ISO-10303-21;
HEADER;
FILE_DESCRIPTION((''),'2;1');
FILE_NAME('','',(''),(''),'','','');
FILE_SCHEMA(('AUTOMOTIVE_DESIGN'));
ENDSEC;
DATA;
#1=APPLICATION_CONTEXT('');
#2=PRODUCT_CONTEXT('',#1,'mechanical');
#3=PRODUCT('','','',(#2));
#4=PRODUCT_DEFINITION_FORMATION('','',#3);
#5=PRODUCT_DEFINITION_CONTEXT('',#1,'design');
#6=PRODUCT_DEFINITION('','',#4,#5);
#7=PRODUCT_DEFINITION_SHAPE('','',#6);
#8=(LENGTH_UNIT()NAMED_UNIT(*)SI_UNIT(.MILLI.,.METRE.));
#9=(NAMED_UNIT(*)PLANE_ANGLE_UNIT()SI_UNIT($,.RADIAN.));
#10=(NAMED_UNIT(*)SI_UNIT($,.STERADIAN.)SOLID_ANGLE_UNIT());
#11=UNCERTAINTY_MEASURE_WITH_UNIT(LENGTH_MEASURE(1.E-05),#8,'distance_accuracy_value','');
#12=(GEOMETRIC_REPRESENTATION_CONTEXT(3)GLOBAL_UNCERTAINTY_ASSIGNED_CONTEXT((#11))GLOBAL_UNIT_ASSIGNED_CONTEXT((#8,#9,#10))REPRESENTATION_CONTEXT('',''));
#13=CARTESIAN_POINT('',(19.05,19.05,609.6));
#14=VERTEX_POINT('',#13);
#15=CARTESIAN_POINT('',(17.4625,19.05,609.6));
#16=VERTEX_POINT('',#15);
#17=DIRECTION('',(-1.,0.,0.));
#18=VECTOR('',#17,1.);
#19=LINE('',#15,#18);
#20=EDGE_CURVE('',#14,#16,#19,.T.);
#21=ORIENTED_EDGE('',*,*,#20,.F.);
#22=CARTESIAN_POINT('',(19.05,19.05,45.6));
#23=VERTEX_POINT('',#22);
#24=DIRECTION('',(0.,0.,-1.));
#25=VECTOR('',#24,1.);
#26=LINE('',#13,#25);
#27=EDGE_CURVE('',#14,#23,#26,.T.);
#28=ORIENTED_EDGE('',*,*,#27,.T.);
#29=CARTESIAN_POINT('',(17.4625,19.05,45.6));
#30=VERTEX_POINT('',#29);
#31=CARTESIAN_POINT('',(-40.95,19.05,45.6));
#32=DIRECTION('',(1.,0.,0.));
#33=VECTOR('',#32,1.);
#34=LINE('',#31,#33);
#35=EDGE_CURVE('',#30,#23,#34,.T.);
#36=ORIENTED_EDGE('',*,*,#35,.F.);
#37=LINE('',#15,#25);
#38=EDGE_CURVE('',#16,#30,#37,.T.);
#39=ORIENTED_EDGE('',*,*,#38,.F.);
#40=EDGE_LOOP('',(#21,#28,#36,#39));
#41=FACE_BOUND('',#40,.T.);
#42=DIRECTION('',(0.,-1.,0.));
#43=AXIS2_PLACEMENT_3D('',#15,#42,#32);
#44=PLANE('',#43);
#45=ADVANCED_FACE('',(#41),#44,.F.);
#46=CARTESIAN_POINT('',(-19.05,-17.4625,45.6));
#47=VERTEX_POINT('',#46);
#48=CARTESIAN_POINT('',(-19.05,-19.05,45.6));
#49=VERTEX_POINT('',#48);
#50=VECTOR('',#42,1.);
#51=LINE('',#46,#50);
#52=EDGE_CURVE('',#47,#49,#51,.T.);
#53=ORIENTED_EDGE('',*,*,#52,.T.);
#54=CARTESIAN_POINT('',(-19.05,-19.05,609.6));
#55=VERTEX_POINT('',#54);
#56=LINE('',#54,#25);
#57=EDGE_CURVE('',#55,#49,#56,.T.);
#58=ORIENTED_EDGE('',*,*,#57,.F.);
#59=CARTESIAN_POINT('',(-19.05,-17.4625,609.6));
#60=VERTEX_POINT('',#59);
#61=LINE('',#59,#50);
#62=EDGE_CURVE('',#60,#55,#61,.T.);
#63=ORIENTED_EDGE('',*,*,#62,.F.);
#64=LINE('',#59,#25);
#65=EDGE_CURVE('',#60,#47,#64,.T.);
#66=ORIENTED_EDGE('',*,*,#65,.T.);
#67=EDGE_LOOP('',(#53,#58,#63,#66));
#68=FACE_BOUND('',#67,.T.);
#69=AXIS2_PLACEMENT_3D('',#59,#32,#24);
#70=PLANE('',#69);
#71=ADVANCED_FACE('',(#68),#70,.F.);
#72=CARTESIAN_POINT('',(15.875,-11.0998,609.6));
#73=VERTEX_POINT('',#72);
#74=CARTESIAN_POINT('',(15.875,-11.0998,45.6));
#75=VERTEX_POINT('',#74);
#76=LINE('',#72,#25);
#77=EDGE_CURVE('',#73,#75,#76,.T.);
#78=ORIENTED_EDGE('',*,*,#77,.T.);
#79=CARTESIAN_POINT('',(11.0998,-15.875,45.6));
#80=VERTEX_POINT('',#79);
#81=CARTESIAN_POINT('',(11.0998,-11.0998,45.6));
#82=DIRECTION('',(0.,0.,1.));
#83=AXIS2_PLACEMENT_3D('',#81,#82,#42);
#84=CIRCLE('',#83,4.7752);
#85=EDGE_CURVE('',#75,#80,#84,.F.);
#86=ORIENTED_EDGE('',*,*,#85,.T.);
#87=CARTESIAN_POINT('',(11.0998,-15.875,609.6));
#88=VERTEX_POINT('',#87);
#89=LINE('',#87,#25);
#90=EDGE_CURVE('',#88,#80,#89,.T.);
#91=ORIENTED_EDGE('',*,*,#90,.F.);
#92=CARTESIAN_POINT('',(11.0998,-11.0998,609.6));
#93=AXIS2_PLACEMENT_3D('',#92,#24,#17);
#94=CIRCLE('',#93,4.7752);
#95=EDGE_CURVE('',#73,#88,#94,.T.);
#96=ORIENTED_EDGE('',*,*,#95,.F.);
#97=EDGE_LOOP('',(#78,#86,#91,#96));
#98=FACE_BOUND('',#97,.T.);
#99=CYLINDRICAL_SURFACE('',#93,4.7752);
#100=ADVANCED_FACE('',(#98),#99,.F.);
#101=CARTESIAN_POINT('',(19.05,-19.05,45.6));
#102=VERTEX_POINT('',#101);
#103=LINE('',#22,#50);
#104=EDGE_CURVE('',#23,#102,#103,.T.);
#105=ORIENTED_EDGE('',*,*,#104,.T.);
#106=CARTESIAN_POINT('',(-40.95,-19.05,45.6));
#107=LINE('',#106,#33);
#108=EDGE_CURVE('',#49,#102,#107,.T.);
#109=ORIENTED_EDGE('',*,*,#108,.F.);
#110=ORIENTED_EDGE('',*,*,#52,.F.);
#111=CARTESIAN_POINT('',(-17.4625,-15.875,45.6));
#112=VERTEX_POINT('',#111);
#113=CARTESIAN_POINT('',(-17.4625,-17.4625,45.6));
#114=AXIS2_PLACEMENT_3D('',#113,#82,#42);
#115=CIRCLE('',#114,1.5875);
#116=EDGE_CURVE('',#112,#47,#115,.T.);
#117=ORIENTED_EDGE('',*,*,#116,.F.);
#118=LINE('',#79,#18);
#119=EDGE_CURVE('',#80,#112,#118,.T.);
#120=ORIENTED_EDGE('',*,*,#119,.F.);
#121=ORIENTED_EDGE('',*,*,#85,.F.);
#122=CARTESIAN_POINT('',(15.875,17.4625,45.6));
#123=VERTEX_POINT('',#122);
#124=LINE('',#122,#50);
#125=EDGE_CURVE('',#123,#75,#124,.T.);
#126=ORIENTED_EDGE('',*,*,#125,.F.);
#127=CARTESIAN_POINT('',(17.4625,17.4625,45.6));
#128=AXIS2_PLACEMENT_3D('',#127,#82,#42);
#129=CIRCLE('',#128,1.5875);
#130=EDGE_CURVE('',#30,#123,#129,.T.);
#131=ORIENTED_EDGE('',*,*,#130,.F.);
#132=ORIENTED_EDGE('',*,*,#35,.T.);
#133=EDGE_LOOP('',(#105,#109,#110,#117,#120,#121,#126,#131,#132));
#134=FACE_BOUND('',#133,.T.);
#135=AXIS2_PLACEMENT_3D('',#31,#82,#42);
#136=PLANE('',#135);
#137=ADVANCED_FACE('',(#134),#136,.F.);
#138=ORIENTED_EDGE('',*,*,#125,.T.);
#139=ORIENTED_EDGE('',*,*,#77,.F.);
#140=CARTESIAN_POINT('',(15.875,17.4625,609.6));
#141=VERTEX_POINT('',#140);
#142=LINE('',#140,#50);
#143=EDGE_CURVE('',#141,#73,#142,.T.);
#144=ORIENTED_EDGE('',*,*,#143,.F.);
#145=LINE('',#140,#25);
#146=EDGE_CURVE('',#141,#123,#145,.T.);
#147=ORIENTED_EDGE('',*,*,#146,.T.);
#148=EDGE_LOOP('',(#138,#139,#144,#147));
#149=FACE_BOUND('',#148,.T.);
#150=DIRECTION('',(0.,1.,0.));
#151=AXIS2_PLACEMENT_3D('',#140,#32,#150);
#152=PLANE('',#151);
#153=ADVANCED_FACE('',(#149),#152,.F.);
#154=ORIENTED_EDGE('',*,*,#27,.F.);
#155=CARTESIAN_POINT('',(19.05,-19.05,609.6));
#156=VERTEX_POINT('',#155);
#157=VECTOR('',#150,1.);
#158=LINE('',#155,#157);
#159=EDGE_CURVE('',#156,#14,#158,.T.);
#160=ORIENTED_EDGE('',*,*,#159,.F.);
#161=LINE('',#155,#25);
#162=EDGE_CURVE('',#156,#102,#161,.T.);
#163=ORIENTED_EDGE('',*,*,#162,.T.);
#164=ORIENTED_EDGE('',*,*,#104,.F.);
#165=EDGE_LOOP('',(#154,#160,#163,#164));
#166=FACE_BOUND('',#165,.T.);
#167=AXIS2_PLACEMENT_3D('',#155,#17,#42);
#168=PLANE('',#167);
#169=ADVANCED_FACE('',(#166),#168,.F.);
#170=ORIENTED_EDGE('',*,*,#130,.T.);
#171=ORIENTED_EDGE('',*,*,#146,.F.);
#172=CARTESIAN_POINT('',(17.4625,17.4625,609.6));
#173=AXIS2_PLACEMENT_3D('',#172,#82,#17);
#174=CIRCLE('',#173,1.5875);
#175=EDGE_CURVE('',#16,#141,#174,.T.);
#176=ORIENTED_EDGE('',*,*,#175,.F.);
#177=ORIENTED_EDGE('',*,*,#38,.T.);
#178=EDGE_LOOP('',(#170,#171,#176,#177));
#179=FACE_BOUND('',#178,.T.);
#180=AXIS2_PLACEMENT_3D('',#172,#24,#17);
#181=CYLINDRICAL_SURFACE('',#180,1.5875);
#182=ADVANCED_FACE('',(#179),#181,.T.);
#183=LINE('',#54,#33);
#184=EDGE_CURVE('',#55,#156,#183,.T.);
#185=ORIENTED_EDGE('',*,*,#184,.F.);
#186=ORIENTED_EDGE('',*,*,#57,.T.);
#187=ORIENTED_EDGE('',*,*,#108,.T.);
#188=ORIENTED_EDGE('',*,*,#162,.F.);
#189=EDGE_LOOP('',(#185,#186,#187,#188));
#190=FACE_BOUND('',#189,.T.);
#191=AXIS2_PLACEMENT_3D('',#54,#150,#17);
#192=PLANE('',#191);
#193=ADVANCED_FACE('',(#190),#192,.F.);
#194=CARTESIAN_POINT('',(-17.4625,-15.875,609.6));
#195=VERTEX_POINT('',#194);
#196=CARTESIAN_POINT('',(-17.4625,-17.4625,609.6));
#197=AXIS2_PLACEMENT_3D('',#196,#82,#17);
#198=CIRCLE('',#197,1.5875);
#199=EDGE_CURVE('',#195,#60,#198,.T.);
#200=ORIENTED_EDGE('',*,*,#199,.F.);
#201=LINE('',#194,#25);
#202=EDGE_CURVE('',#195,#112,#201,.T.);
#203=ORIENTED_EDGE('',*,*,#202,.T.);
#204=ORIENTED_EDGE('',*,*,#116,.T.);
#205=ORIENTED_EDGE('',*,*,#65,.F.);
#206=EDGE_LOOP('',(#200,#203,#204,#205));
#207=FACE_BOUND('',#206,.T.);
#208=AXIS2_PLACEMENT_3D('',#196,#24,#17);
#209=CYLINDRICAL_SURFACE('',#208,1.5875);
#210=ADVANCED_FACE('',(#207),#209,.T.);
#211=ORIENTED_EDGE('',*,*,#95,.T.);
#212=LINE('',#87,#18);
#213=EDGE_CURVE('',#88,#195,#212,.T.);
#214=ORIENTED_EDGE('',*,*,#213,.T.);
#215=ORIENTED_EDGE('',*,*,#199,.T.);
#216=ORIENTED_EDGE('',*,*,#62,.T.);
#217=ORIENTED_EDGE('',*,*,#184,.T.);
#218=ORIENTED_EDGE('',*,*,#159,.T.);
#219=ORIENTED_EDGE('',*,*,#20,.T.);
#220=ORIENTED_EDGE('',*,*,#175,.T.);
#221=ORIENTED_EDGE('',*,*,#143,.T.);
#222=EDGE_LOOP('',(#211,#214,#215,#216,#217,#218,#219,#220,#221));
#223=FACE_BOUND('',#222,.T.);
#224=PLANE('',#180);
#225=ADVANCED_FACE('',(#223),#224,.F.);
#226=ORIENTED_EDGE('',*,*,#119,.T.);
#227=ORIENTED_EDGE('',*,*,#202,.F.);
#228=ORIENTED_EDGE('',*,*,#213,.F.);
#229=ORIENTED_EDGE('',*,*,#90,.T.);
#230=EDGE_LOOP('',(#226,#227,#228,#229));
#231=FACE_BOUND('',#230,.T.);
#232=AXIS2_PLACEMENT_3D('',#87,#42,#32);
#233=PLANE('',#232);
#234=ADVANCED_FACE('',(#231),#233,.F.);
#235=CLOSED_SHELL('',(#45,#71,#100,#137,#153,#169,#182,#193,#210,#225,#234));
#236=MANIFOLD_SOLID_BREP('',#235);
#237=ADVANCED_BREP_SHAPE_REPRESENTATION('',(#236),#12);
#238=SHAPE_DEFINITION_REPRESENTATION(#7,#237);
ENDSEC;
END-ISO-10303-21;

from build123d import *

# Parameters (mm, degrees)
BOSS_EXTRUDE1_DEPTH = 609.6
SKETCH3_W           = 635.2
SKETCH3_H           = 38.1
CUT_EXTRUDE1_DEPTH  = 60
SKETCH4_W           = 20
SKETCH4_H           = 38.1
CUT_EXTRUDE2_DEPTH  = 60


with BuildPart() as part:
    # Sketch2 → Boss-Extrude1 (new, symmetric)
    with BuildSketch(Plane.XY):
        with BuildLine():
            Line((-19.05, -19.05), (19.05, -19.05))
            Line((19.05, -19.05), (19.05, 19.05))
            Line((19.05, 19.05), (17.4625, 19.05))
            ThreePointArc((17.4625, 19.05), (16.339967985, 18.585032015), (15.875, 17.4625))
            Line((15.875, 17.4625), (15.875, -11.0998))
            ThreePointArc((15.875, -11.0998), (14.476376302, -14.476376302), (11.0998, -15.875))
            Line((11.0998, -15.875), (-17.4625, -15.875))
            ThreePointArc((-17.4625, -15.875), (-18.585032015, -16.339967985), (-19.05, -17.4625))
            Line((-19.05, -17.4625), (-19.05, -19.05))
        make_face()
    extrude(amount=BOSS_EXTRUDE1_DEPTH, both=True)

    # Sketch3 → Cut-Extrude1 (cut)
    with BuildSketch(Plane(origin=(19.05, 0, 0), x_dir=(0, 0, -1), z_dir=(1, 0, 0))):
        with Locations((292, 0)):
            Rectangle(SKETCH3_W, SKETCH3_H)
    extrude(amount=-CUT_EXTRUDE1_DEPTH, mode=Mode.SUBTRACT)

    # Sketch4 → Cut-Extrude2 (cut)
    with BuildSketch(Plane(origin=(19.05, 0, 0), x_dir=(0, 0, -1), z_dir=(1, 0, 0))):
        with Locations((-35.6, 0)):
            Rectangle(SKETCH4_W, SKETCH4_H)
    extrude(amount=-CUT_EXTRUDE2_DEPTH, mode=Mode.SUBTRACT)


solid = part.part
